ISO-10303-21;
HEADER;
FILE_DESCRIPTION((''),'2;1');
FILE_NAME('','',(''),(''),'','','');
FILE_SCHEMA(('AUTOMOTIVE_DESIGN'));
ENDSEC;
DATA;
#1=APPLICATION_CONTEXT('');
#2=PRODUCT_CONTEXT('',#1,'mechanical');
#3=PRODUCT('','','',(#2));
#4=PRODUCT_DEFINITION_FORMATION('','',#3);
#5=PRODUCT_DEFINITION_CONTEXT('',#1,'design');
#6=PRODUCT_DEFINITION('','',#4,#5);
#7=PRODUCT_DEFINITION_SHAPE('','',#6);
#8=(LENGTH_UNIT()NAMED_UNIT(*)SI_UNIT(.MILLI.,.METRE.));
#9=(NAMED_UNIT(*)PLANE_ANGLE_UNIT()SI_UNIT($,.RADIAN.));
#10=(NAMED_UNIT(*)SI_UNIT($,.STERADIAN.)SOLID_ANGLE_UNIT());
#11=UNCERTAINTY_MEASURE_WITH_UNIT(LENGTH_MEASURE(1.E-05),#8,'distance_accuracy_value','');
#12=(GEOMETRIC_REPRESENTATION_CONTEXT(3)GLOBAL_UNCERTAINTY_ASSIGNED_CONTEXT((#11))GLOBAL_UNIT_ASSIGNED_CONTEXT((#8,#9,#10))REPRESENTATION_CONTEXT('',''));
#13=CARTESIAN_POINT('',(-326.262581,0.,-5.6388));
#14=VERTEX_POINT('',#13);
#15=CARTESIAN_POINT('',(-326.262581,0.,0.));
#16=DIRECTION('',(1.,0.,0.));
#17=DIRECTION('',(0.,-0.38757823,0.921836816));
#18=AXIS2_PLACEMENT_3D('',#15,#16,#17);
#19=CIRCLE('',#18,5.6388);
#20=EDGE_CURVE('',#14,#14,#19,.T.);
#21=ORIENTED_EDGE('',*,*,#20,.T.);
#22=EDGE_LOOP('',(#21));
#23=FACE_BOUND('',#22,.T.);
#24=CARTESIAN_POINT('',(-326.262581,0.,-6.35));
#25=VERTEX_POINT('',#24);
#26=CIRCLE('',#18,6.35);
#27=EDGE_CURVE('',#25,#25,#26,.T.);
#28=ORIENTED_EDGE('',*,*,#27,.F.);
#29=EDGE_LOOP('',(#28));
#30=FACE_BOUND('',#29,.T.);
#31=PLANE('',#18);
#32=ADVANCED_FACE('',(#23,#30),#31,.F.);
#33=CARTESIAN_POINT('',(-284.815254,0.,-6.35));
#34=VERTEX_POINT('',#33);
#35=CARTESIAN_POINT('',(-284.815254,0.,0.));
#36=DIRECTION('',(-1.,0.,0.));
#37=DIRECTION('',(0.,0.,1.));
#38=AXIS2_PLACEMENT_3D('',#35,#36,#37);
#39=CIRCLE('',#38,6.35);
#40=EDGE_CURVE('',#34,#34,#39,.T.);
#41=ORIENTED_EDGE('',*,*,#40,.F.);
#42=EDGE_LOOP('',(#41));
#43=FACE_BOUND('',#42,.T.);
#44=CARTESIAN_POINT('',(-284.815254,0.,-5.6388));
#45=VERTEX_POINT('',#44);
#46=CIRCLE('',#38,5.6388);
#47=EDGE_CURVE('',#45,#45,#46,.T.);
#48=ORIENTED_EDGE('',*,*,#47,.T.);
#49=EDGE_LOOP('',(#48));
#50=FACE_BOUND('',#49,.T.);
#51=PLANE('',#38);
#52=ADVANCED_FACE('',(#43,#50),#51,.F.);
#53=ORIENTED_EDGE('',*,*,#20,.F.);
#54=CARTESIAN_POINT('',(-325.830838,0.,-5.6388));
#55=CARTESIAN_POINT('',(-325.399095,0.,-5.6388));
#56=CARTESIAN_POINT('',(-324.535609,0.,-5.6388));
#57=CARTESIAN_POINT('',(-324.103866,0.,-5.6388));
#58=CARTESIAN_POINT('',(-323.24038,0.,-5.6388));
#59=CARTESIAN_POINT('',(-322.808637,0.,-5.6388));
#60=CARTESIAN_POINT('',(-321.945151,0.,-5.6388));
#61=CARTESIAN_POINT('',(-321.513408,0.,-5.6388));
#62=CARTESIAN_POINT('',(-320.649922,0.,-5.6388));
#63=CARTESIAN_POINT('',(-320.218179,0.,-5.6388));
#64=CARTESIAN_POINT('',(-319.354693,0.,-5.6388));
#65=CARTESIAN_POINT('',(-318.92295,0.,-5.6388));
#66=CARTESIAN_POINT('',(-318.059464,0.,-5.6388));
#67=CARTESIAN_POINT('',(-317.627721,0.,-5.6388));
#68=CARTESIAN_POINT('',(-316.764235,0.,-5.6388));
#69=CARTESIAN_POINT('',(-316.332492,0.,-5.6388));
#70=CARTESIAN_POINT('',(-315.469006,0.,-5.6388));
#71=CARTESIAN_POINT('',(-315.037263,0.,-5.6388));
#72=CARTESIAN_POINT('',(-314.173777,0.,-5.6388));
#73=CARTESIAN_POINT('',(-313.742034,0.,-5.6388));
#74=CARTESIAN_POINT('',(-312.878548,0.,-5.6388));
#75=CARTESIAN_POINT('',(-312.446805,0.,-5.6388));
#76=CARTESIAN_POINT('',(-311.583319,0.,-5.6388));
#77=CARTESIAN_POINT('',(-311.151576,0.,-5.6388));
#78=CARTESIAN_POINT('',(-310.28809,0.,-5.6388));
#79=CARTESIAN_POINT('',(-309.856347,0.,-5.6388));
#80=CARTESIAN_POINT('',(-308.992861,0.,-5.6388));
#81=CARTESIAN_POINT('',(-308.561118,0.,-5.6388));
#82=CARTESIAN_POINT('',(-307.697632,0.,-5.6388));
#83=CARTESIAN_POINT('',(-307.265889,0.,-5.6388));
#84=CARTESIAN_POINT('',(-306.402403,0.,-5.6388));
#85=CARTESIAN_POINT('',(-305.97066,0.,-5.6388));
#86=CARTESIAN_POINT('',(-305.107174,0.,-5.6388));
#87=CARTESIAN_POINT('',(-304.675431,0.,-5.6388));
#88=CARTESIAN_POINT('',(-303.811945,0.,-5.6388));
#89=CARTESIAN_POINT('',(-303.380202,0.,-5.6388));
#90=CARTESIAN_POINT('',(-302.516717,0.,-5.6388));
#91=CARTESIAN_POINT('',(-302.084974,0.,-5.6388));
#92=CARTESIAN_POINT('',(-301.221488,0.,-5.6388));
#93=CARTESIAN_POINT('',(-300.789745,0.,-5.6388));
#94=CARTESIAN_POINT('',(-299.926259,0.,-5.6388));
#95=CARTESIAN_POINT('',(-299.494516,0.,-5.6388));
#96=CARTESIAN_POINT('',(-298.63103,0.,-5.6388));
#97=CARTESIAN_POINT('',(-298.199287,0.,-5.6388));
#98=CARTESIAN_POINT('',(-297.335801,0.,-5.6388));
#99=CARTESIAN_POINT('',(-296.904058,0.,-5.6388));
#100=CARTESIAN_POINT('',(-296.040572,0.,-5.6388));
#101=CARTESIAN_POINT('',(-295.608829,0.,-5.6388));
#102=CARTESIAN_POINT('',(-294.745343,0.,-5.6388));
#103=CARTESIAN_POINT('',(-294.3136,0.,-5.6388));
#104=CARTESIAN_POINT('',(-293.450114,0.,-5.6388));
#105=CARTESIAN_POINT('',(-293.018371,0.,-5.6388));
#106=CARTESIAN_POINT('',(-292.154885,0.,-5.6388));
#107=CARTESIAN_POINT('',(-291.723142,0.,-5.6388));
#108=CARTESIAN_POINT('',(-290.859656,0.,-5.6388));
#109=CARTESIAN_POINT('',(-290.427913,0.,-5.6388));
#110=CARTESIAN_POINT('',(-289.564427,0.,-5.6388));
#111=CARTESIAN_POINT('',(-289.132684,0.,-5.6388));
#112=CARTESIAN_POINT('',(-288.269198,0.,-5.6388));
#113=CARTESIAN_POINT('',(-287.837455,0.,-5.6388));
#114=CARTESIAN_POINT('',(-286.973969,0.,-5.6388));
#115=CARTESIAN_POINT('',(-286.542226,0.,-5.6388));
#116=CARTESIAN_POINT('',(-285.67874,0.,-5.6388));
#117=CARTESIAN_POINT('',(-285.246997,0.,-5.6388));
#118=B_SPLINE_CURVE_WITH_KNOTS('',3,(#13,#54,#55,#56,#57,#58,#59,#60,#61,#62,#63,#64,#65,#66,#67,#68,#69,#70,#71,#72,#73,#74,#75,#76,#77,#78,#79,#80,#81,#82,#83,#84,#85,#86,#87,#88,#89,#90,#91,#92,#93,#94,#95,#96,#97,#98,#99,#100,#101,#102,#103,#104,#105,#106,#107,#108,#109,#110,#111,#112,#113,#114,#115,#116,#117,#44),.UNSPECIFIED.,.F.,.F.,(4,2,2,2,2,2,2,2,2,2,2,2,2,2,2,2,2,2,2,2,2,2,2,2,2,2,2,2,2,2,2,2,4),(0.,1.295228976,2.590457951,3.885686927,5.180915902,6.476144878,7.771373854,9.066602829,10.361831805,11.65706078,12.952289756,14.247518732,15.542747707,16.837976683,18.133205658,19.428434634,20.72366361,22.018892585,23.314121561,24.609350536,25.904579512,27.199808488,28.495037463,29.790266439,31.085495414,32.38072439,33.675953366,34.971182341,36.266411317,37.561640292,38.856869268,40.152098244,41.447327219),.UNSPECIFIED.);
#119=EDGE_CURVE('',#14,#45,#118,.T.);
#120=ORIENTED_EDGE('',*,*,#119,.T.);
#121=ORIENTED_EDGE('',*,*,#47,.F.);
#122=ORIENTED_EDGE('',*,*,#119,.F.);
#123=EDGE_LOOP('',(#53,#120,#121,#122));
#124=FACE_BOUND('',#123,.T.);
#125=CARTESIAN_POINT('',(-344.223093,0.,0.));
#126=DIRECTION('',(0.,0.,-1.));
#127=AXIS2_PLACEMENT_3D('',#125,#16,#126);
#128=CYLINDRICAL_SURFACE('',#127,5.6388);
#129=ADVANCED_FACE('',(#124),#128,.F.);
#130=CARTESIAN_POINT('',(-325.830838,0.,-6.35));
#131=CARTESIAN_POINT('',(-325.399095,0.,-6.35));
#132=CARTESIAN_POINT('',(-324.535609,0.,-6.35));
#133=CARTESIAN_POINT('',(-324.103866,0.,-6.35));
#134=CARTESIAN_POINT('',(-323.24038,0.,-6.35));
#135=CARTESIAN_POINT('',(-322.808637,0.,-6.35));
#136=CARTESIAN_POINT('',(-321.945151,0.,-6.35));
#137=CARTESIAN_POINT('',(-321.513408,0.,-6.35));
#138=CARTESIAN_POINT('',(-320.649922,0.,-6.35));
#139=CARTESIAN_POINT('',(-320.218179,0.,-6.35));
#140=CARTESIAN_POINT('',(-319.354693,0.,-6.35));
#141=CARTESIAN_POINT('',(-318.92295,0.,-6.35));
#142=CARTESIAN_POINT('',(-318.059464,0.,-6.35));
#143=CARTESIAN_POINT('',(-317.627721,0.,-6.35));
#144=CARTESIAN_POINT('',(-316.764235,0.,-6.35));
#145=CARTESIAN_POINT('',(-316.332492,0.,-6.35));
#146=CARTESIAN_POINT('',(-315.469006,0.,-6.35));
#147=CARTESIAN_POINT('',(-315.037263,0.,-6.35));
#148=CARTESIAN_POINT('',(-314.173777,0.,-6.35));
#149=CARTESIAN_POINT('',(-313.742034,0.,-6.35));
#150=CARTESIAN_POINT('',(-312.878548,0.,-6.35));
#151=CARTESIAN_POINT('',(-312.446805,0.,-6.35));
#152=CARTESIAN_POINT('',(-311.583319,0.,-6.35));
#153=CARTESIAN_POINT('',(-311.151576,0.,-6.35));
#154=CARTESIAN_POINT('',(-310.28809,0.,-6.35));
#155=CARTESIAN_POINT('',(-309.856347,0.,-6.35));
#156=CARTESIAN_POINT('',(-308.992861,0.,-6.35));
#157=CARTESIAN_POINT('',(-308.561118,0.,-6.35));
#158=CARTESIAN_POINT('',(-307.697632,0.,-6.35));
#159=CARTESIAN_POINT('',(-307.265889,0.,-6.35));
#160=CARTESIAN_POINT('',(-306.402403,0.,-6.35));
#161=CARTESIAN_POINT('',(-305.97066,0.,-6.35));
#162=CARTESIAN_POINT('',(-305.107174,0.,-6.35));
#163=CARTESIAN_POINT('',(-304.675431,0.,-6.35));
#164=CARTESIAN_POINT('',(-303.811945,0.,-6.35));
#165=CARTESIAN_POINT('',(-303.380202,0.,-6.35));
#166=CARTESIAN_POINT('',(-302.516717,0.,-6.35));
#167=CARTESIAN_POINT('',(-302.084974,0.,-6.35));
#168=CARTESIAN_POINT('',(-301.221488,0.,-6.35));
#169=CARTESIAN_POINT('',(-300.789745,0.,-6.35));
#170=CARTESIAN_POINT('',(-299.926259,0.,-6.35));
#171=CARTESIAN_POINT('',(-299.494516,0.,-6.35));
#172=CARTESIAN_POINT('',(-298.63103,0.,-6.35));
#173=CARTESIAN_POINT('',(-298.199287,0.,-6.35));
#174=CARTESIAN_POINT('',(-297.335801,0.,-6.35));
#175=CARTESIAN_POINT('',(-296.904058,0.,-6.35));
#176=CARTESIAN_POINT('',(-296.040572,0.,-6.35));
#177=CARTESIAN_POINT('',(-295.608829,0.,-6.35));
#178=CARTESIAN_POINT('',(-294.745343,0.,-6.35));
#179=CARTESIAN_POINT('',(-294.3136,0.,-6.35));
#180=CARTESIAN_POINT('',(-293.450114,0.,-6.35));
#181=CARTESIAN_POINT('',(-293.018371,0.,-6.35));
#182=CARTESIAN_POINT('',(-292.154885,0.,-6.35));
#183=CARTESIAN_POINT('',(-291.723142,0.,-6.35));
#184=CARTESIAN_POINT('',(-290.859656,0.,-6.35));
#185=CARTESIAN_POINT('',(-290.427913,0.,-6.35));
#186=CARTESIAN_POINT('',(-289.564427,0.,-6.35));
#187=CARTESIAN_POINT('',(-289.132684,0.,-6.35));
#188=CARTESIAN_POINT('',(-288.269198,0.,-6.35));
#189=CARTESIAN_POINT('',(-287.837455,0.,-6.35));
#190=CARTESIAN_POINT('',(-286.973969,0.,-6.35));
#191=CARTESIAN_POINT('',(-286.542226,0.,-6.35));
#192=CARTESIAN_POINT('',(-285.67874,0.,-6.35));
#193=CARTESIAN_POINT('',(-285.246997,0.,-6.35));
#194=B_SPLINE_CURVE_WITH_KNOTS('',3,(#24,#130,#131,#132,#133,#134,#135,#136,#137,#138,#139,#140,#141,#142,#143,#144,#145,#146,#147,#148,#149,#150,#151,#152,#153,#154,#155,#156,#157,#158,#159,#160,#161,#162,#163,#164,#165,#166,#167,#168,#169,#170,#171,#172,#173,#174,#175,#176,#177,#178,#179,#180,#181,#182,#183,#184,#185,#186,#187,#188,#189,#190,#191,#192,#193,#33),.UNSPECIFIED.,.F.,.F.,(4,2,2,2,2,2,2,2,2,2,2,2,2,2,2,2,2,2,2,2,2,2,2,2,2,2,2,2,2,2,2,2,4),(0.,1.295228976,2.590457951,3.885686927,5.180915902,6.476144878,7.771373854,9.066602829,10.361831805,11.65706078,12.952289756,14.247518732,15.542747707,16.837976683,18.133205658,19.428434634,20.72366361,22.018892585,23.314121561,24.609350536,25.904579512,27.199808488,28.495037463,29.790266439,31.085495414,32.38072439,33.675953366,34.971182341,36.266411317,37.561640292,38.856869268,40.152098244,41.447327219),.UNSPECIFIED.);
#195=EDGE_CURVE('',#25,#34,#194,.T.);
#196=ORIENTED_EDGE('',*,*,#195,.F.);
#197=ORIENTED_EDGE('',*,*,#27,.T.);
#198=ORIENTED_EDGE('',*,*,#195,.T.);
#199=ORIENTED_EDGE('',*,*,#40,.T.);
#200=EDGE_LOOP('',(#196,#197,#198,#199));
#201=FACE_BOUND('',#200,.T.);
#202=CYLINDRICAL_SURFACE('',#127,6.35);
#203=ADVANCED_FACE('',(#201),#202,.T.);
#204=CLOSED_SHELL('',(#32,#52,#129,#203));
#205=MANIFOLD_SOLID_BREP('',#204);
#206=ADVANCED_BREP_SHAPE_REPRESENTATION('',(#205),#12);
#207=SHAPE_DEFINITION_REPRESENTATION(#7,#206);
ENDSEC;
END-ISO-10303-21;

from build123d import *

# Parameters (mm, degrees)
BOSS_EXTRUDE1_START = -326.262581
SKETCH1_R           = 6.35
SKETCH1_R_2         = 5.6388
BOSS_EXTRUDE1_DEPTH = 41.447327


with BuildPart() as part:
    # Sketch1 → Boss-Extrude1 (new body)
    with BuildSketch(Plane(origin=(0, 0, 0), x_dir=(0, 0, -1), z_dir=(1, 0, 0)).offset(BOSS_EXTRUDE1_START)):
        Circle(SKETCH1_R)
        Circle(SKETCH1_R_2, mode=Mode.SUBTRACT)
    extrude(amount=BOSS_EXTRUDE1_DEPTH)


solid = part.part
